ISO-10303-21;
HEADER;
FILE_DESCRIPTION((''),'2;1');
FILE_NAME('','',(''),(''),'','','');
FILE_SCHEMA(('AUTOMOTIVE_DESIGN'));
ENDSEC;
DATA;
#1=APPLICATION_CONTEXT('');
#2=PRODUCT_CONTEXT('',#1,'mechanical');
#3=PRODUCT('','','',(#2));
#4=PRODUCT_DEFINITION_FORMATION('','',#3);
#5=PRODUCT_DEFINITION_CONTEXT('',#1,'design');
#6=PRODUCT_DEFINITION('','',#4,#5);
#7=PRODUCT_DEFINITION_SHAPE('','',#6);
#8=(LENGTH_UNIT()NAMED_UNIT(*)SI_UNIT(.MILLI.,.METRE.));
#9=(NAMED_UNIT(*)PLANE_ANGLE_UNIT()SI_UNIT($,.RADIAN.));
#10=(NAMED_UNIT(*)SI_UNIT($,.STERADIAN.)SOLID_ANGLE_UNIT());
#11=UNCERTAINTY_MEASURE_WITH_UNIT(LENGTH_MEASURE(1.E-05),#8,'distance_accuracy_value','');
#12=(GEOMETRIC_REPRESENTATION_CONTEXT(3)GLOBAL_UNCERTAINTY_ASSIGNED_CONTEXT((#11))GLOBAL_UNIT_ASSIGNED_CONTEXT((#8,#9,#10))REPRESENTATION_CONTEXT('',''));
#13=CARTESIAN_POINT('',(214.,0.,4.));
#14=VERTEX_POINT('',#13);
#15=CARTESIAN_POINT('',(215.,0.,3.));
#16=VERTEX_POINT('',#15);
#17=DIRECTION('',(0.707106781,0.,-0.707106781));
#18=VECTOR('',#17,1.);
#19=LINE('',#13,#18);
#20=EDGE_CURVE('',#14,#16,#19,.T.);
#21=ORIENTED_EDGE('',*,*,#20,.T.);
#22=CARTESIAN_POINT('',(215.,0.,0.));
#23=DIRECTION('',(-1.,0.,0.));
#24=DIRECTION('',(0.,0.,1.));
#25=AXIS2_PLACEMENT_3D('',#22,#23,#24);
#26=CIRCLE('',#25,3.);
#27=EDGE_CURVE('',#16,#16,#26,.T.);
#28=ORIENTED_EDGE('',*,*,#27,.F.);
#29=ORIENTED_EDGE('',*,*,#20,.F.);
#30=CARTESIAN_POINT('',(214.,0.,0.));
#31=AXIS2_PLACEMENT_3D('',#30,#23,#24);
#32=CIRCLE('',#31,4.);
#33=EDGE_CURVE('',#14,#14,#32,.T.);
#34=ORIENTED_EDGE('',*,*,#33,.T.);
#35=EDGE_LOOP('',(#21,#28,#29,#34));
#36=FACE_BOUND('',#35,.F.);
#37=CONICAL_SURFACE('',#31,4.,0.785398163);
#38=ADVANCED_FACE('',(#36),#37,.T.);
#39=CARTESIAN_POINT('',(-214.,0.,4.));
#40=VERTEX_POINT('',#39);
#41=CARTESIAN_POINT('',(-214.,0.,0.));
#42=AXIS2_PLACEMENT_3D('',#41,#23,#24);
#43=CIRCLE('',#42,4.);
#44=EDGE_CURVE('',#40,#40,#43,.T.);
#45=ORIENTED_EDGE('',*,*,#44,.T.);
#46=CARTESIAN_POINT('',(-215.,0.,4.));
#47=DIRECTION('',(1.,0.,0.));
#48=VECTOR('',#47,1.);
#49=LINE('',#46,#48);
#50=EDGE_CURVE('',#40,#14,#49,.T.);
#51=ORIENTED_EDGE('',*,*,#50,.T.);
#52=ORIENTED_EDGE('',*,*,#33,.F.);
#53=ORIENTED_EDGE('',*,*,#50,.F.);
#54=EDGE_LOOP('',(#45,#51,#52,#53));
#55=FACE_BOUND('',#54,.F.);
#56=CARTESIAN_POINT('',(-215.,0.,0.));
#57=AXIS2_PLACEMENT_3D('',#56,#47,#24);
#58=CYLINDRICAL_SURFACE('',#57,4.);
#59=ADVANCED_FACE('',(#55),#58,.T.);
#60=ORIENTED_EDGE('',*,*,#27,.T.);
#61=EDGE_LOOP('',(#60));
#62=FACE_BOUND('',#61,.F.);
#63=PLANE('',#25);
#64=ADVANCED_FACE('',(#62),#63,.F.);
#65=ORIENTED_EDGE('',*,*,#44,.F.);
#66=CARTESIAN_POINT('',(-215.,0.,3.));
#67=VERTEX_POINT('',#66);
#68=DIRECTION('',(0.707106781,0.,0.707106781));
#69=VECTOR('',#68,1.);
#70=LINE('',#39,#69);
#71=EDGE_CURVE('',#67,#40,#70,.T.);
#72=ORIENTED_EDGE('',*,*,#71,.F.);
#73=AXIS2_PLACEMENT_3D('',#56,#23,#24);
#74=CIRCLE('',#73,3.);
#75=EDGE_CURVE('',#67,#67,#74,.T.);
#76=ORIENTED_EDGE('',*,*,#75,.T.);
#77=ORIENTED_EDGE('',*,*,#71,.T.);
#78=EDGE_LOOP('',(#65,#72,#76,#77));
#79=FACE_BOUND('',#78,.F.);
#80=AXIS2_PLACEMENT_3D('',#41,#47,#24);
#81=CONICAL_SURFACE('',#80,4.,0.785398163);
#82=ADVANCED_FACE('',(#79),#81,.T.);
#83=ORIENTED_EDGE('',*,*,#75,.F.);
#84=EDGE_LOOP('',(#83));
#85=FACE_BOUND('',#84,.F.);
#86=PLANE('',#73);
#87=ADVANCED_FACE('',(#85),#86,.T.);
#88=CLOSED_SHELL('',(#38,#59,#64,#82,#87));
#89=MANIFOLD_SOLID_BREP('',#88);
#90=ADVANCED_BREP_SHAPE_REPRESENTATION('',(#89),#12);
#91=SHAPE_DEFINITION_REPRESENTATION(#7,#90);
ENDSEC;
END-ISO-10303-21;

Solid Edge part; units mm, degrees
sketch "Sketch1" plane through (0, 0, 0) normal (0, -1, 0) x (1, 0, 0)
  line L0 (-215, 0) -> (-215, 4)
  line L1 (-215, 4) -> (215, 4)
  line L2 (215, 4) -> (215, 0)
  dimension "D1" = 430
revolve "RevolvedProtrusion1" add sketch "Sketch1" angle 360 about axis through (50, 0, 0) along (-1, 0, 0)
chamfer "Chamfer1" distance 1 angle 45 2 edges at (215, 0, -4) (-215, 0, -4)
cosmetic_thread "Thread1" size "Tr 8 x 2"
properties material "Stainless steel"
